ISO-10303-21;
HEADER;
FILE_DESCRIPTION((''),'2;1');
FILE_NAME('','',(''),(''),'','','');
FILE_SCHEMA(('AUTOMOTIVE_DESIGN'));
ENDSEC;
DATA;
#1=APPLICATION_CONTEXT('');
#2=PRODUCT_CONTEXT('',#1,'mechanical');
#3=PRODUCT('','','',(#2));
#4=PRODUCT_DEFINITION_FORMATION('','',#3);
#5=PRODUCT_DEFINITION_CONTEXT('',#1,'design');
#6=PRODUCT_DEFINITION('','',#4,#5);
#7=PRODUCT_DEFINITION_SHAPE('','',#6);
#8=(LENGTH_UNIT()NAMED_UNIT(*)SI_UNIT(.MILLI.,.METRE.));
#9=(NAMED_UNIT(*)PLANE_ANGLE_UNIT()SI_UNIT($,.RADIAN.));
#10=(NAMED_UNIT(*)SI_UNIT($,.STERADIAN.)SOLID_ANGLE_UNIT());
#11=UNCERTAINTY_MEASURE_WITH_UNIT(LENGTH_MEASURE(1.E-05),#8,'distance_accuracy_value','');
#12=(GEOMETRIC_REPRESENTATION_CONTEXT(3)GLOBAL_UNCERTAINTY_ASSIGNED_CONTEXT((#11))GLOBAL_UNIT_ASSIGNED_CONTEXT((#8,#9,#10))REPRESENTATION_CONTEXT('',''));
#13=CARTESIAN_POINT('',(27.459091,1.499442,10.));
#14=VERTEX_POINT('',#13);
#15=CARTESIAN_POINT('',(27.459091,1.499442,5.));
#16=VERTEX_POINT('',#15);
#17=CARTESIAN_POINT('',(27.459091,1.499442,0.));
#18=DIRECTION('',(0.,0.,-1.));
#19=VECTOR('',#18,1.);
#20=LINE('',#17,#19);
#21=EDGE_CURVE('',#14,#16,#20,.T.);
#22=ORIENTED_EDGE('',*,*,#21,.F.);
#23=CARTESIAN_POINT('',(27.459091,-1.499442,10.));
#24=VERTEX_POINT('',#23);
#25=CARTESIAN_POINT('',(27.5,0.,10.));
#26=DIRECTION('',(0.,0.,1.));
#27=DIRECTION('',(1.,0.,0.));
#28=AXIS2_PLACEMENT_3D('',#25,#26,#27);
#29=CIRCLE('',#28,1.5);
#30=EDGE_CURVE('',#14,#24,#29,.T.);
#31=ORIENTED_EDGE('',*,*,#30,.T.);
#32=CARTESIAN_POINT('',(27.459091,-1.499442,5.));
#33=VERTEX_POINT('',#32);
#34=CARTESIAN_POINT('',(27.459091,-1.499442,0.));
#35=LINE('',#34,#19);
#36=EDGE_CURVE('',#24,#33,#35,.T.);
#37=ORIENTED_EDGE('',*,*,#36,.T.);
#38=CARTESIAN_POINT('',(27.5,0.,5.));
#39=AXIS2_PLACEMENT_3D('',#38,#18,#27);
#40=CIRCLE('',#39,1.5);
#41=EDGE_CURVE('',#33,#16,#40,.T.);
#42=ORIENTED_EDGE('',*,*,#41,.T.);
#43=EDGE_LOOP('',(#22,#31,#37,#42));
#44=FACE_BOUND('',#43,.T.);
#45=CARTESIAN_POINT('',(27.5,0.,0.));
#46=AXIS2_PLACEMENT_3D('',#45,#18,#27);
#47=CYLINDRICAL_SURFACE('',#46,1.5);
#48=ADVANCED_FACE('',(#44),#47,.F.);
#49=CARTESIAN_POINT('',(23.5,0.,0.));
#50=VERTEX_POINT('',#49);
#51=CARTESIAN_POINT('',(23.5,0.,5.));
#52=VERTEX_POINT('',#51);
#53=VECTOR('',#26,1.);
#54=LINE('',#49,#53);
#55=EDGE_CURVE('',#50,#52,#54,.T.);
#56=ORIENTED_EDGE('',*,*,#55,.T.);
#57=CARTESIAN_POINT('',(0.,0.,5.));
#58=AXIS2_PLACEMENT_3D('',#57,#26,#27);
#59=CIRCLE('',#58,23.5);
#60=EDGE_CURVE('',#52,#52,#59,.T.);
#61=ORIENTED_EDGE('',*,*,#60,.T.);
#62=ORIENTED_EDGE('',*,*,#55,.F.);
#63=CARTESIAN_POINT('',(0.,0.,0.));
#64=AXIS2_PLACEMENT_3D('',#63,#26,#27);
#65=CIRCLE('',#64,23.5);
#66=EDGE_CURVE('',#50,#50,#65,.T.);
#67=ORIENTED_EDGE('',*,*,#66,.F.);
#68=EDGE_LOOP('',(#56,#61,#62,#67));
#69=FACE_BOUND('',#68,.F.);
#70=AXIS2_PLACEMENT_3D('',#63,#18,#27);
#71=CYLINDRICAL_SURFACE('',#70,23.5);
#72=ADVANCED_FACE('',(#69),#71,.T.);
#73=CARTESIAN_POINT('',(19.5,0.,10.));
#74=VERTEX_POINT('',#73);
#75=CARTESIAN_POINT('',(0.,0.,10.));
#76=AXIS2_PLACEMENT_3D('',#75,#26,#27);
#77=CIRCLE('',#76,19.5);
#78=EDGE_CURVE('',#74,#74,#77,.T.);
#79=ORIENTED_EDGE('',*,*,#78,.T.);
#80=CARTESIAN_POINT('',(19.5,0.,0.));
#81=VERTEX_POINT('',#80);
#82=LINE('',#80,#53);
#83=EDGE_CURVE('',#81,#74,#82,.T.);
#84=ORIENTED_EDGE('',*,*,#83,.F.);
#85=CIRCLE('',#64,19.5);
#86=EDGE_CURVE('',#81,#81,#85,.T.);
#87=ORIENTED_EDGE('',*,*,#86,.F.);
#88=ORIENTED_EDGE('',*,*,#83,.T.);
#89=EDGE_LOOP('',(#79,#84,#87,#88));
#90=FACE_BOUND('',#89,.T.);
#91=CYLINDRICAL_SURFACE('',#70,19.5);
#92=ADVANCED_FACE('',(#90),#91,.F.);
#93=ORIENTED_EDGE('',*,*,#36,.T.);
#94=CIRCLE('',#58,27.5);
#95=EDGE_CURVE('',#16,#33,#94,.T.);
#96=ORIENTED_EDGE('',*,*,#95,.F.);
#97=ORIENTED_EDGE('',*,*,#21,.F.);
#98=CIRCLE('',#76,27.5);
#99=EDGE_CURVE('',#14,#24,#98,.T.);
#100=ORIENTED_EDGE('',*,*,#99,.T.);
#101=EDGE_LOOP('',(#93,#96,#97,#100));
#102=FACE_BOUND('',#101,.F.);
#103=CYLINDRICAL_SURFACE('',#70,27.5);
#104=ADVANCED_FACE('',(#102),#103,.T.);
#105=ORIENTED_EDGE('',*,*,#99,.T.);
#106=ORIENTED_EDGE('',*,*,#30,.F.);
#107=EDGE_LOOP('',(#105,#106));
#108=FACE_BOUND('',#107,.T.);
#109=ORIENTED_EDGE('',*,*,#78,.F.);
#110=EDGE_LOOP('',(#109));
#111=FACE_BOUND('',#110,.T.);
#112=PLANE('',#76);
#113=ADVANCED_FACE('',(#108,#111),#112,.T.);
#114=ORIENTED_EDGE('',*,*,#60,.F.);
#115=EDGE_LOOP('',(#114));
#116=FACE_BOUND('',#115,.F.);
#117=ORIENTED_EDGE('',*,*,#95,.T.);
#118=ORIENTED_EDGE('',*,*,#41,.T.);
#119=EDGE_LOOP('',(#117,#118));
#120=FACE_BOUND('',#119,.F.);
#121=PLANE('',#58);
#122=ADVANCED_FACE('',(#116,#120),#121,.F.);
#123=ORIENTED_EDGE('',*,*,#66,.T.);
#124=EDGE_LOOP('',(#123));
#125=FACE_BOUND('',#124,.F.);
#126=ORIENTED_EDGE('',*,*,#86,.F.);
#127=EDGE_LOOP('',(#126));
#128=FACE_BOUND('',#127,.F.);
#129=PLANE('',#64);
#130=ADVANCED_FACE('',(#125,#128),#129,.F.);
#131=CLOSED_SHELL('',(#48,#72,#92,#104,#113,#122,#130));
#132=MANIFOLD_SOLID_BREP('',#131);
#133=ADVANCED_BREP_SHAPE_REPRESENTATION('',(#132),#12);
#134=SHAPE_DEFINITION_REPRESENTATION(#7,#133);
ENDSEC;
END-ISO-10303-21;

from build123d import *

# Parameters (mm, degrees)
SKETCH_R          = 27.5
SKETCH_R_2        = 19.5
PAD_DEPTH         = 10
SKETCH001_R       = 1.5
POCKET_DEPTH      = 10
SKETCH002_R       = 1.5
POCKET001_DEPTH   = 1.5
COPYSKETCH003_R   = 27.5
COPYSKETCH003_R_2 = 23.5
POCKET002_DEPTH   = 5


with BuildPart() as part:
    # Sketch → Pad (new body)
    with BuildSketch(Plane.XY):
        Circle(SKETCH_R)
        Circle(SKETCH_R_2, mode=Mode.SUBTRACT)
    extrude(amount=PAD_DEPTH)

    # Sketch001 → Pocket (cut)
    with BuildSketch(Plane(origin=(27.5, 0, 0), x_dir=(1, 0, 0), z_dir=(0, 0, 1))):
        Circle(SKETCH001_R)
    extrude(amount=POCKET_DEPTH, mode=Mode.SUBTRACT)

    # Sketch002 → Pocket001 (cut)
    with BuildSketch(Plane.YZ.offset(27.5)):
        Circle(SKETCH002_R)
    extrude(amount=-POCKET001_DEPTH, mode=Mode.SUBTRACT)

    # CopySketch003 → Pocket002 (cut)
    with BuildSketch(Plane.XY):
        Circle(COPYSKETCH003_R)
        Circle(COPYSKETCH003_R_2, mode=Mode.SUBTRACT)
    extrude(amount=POCKET002_DEPTH, mode=Mode.SUBTRACT)


solid = part.part
